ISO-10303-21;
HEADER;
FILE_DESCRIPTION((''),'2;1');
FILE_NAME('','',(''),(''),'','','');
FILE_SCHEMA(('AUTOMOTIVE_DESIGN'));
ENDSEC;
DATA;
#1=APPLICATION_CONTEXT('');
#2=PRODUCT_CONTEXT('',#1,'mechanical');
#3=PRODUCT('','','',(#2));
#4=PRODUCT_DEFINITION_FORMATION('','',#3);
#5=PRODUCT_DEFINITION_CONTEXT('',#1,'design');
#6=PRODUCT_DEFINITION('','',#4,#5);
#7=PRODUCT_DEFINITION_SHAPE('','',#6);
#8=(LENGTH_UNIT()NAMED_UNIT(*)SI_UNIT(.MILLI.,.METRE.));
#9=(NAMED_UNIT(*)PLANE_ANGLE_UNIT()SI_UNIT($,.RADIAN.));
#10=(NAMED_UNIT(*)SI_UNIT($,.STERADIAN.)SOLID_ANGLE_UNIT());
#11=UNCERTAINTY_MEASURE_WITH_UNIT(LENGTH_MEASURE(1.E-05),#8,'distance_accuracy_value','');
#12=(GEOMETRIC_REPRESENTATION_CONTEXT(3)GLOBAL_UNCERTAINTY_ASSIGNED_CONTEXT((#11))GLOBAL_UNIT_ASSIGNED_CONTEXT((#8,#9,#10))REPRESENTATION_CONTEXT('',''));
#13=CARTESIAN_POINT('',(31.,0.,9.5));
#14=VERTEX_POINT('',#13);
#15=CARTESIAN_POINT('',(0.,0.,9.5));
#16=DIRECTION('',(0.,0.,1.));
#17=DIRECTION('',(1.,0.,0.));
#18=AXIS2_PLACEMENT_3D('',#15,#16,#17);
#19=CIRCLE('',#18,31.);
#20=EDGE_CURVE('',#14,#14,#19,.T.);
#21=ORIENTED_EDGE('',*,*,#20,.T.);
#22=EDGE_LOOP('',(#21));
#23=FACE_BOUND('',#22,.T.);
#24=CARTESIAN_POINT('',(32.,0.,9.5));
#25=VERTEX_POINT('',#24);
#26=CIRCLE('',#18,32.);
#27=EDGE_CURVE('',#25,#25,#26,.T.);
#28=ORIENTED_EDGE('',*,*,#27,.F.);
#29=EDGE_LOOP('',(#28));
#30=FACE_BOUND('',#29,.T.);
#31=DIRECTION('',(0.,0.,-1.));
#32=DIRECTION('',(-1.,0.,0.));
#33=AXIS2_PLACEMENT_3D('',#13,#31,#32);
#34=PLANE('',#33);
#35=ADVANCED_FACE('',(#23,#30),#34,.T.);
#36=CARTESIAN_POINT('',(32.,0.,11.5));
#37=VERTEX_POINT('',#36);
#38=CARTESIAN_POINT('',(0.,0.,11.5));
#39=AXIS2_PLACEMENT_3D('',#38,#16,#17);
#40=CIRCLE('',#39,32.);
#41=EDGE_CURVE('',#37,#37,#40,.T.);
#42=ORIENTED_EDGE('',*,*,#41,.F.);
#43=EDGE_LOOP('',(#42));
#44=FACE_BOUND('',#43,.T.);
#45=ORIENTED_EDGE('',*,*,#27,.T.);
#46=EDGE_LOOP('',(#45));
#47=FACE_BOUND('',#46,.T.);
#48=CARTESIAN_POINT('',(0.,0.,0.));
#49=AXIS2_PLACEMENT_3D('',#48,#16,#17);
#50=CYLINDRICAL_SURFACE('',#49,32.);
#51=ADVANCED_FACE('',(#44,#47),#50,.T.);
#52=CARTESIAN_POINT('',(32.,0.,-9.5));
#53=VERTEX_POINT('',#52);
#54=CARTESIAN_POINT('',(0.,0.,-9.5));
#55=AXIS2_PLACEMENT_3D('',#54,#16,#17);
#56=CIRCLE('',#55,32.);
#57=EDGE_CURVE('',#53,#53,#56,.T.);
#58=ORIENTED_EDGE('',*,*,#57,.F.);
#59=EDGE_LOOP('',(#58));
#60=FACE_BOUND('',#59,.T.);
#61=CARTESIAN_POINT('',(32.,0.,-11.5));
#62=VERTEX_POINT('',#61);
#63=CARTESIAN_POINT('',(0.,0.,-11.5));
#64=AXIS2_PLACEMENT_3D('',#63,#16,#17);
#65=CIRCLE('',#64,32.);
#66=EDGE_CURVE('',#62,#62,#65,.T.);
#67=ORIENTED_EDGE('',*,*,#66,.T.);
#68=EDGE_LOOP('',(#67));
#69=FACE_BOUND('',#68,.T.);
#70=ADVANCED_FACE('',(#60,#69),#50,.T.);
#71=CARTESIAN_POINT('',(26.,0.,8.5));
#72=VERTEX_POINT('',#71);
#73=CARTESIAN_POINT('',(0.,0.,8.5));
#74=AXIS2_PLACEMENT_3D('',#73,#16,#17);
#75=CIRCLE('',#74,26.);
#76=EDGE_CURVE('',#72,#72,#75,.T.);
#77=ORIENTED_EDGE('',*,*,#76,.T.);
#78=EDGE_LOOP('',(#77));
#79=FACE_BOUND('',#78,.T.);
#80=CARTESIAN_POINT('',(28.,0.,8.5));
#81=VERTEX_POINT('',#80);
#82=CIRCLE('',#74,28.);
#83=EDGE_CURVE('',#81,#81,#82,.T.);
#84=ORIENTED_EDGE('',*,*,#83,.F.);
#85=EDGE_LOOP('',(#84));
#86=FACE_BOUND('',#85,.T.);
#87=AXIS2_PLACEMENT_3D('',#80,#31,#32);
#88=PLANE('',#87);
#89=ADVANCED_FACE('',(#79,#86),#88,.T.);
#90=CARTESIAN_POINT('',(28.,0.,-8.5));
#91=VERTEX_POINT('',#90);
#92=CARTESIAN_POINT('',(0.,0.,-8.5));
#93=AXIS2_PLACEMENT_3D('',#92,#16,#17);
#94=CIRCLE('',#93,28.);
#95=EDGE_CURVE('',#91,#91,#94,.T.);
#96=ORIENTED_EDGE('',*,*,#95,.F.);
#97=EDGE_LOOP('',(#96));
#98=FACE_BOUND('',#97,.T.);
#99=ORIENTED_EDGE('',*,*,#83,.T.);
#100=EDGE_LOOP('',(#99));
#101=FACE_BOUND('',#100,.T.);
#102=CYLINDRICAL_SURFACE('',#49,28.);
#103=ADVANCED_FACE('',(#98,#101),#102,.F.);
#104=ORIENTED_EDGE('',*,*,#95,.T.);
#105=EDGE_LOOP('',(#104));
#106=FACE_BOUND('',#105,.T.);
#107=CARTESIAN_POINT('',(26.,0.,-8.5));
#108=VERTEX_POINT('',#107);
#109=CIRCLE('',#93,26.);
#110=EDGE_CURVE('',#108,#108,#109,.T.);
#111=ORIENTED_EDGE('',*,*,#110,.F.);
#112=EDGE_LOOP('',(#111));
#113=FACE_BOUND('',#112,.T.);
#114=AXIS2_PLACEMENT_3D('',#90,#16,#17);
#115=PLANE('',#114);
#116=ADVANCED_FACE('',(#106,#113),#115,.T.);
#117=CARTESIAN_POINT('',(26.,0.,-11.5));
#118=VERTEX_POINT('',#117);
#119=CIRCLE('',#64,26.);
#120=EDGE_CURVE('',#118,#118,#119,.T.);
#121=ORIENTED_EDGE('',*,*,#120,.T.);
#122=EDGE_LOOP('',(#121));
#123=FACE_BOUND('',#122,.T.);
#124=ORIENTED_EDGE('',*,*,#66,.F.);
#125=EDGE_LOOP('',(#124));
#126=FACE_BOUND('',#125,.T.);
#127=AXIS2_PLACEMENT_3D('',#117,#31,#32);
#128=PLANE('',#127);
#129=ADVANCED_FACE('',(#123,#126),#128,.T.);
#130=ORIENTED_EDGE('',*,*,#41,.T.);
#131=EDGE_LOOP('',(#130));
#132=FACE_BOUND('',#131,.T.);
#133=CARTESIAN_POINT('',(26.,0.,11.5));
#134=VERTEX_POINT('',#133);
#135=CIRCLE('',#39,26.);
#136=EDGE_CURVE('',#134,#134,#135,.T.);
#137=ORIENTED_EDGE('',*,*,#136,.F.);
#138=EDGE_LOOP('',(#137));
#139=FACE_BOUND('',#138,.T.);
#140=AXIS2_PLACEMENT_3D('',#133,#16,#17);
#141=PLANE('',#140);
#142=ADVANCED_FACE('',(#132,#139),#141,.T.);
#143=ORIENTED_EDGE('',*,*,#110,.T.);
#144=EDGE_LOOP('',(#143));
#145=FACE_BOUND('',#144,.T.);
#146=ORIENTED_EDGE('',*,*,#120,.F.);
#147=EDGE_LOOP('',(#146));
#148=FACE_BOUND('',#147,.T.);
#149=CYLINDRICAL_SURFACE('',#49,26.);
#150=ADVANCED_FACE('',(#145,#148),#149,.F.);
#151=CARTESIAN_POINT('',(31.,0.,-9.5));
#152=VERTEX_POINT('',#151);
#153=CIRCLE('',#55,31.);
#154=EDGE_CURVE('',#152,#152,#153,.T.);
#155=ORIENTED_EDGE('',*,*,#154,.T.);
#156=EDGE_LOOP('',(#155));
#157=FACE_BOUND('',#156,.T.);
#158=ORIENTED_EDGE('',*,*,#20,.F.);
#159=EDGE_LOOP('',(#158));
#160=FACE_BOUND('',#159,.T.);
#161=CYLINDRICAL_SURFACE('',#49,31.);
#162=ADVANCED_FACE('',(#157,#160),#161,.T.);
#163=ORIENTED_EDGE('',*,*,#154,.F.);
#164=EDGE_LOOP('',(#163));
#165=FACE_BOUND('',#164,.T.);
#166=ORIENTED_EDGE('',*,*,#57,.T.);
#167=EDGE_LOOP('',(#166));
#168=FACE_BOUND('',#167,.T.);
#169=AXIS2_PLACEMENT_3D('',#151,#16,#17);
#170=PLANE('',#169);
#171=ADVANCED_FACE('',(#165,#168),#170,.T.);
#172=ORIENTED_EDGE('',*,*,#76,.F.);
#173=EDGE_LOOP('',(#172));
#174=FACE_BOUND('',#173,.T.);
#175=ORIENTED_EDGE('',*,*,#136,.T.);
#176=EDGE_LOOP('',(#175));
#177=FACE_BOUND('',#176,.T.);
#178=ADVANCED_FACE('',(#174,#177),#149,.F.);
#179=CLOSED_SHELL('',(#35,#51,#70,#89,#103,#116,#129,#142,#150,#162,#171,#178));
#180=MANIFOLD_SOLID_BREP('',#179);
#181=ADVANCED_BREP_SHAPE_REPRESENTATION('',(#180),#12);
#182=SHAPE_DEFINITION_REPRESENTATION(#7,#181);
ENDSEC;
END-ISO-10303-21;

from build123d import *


with BuildPart() as part:
    # Sketch1 → Revolve1 (revolve)
    with BuildSketch(Plane(origin=(0, 0, 0), x_dir=(1, 0, 0), z_dir=(0, 1, 0))):
        Polygon((26, 11.5), (32, 11.5), (32, 9.5), (31, 9.5), (31, -9.5), (32, -9.5), (32, -11.5), (26, -11.5), (26, -8.5), (28, -8.5), (28, 8.5), (26, 8.5), align=None)
    revolve(axis=Axis((0, 0, 0), (0, 0, -1)))


solid = part.part
